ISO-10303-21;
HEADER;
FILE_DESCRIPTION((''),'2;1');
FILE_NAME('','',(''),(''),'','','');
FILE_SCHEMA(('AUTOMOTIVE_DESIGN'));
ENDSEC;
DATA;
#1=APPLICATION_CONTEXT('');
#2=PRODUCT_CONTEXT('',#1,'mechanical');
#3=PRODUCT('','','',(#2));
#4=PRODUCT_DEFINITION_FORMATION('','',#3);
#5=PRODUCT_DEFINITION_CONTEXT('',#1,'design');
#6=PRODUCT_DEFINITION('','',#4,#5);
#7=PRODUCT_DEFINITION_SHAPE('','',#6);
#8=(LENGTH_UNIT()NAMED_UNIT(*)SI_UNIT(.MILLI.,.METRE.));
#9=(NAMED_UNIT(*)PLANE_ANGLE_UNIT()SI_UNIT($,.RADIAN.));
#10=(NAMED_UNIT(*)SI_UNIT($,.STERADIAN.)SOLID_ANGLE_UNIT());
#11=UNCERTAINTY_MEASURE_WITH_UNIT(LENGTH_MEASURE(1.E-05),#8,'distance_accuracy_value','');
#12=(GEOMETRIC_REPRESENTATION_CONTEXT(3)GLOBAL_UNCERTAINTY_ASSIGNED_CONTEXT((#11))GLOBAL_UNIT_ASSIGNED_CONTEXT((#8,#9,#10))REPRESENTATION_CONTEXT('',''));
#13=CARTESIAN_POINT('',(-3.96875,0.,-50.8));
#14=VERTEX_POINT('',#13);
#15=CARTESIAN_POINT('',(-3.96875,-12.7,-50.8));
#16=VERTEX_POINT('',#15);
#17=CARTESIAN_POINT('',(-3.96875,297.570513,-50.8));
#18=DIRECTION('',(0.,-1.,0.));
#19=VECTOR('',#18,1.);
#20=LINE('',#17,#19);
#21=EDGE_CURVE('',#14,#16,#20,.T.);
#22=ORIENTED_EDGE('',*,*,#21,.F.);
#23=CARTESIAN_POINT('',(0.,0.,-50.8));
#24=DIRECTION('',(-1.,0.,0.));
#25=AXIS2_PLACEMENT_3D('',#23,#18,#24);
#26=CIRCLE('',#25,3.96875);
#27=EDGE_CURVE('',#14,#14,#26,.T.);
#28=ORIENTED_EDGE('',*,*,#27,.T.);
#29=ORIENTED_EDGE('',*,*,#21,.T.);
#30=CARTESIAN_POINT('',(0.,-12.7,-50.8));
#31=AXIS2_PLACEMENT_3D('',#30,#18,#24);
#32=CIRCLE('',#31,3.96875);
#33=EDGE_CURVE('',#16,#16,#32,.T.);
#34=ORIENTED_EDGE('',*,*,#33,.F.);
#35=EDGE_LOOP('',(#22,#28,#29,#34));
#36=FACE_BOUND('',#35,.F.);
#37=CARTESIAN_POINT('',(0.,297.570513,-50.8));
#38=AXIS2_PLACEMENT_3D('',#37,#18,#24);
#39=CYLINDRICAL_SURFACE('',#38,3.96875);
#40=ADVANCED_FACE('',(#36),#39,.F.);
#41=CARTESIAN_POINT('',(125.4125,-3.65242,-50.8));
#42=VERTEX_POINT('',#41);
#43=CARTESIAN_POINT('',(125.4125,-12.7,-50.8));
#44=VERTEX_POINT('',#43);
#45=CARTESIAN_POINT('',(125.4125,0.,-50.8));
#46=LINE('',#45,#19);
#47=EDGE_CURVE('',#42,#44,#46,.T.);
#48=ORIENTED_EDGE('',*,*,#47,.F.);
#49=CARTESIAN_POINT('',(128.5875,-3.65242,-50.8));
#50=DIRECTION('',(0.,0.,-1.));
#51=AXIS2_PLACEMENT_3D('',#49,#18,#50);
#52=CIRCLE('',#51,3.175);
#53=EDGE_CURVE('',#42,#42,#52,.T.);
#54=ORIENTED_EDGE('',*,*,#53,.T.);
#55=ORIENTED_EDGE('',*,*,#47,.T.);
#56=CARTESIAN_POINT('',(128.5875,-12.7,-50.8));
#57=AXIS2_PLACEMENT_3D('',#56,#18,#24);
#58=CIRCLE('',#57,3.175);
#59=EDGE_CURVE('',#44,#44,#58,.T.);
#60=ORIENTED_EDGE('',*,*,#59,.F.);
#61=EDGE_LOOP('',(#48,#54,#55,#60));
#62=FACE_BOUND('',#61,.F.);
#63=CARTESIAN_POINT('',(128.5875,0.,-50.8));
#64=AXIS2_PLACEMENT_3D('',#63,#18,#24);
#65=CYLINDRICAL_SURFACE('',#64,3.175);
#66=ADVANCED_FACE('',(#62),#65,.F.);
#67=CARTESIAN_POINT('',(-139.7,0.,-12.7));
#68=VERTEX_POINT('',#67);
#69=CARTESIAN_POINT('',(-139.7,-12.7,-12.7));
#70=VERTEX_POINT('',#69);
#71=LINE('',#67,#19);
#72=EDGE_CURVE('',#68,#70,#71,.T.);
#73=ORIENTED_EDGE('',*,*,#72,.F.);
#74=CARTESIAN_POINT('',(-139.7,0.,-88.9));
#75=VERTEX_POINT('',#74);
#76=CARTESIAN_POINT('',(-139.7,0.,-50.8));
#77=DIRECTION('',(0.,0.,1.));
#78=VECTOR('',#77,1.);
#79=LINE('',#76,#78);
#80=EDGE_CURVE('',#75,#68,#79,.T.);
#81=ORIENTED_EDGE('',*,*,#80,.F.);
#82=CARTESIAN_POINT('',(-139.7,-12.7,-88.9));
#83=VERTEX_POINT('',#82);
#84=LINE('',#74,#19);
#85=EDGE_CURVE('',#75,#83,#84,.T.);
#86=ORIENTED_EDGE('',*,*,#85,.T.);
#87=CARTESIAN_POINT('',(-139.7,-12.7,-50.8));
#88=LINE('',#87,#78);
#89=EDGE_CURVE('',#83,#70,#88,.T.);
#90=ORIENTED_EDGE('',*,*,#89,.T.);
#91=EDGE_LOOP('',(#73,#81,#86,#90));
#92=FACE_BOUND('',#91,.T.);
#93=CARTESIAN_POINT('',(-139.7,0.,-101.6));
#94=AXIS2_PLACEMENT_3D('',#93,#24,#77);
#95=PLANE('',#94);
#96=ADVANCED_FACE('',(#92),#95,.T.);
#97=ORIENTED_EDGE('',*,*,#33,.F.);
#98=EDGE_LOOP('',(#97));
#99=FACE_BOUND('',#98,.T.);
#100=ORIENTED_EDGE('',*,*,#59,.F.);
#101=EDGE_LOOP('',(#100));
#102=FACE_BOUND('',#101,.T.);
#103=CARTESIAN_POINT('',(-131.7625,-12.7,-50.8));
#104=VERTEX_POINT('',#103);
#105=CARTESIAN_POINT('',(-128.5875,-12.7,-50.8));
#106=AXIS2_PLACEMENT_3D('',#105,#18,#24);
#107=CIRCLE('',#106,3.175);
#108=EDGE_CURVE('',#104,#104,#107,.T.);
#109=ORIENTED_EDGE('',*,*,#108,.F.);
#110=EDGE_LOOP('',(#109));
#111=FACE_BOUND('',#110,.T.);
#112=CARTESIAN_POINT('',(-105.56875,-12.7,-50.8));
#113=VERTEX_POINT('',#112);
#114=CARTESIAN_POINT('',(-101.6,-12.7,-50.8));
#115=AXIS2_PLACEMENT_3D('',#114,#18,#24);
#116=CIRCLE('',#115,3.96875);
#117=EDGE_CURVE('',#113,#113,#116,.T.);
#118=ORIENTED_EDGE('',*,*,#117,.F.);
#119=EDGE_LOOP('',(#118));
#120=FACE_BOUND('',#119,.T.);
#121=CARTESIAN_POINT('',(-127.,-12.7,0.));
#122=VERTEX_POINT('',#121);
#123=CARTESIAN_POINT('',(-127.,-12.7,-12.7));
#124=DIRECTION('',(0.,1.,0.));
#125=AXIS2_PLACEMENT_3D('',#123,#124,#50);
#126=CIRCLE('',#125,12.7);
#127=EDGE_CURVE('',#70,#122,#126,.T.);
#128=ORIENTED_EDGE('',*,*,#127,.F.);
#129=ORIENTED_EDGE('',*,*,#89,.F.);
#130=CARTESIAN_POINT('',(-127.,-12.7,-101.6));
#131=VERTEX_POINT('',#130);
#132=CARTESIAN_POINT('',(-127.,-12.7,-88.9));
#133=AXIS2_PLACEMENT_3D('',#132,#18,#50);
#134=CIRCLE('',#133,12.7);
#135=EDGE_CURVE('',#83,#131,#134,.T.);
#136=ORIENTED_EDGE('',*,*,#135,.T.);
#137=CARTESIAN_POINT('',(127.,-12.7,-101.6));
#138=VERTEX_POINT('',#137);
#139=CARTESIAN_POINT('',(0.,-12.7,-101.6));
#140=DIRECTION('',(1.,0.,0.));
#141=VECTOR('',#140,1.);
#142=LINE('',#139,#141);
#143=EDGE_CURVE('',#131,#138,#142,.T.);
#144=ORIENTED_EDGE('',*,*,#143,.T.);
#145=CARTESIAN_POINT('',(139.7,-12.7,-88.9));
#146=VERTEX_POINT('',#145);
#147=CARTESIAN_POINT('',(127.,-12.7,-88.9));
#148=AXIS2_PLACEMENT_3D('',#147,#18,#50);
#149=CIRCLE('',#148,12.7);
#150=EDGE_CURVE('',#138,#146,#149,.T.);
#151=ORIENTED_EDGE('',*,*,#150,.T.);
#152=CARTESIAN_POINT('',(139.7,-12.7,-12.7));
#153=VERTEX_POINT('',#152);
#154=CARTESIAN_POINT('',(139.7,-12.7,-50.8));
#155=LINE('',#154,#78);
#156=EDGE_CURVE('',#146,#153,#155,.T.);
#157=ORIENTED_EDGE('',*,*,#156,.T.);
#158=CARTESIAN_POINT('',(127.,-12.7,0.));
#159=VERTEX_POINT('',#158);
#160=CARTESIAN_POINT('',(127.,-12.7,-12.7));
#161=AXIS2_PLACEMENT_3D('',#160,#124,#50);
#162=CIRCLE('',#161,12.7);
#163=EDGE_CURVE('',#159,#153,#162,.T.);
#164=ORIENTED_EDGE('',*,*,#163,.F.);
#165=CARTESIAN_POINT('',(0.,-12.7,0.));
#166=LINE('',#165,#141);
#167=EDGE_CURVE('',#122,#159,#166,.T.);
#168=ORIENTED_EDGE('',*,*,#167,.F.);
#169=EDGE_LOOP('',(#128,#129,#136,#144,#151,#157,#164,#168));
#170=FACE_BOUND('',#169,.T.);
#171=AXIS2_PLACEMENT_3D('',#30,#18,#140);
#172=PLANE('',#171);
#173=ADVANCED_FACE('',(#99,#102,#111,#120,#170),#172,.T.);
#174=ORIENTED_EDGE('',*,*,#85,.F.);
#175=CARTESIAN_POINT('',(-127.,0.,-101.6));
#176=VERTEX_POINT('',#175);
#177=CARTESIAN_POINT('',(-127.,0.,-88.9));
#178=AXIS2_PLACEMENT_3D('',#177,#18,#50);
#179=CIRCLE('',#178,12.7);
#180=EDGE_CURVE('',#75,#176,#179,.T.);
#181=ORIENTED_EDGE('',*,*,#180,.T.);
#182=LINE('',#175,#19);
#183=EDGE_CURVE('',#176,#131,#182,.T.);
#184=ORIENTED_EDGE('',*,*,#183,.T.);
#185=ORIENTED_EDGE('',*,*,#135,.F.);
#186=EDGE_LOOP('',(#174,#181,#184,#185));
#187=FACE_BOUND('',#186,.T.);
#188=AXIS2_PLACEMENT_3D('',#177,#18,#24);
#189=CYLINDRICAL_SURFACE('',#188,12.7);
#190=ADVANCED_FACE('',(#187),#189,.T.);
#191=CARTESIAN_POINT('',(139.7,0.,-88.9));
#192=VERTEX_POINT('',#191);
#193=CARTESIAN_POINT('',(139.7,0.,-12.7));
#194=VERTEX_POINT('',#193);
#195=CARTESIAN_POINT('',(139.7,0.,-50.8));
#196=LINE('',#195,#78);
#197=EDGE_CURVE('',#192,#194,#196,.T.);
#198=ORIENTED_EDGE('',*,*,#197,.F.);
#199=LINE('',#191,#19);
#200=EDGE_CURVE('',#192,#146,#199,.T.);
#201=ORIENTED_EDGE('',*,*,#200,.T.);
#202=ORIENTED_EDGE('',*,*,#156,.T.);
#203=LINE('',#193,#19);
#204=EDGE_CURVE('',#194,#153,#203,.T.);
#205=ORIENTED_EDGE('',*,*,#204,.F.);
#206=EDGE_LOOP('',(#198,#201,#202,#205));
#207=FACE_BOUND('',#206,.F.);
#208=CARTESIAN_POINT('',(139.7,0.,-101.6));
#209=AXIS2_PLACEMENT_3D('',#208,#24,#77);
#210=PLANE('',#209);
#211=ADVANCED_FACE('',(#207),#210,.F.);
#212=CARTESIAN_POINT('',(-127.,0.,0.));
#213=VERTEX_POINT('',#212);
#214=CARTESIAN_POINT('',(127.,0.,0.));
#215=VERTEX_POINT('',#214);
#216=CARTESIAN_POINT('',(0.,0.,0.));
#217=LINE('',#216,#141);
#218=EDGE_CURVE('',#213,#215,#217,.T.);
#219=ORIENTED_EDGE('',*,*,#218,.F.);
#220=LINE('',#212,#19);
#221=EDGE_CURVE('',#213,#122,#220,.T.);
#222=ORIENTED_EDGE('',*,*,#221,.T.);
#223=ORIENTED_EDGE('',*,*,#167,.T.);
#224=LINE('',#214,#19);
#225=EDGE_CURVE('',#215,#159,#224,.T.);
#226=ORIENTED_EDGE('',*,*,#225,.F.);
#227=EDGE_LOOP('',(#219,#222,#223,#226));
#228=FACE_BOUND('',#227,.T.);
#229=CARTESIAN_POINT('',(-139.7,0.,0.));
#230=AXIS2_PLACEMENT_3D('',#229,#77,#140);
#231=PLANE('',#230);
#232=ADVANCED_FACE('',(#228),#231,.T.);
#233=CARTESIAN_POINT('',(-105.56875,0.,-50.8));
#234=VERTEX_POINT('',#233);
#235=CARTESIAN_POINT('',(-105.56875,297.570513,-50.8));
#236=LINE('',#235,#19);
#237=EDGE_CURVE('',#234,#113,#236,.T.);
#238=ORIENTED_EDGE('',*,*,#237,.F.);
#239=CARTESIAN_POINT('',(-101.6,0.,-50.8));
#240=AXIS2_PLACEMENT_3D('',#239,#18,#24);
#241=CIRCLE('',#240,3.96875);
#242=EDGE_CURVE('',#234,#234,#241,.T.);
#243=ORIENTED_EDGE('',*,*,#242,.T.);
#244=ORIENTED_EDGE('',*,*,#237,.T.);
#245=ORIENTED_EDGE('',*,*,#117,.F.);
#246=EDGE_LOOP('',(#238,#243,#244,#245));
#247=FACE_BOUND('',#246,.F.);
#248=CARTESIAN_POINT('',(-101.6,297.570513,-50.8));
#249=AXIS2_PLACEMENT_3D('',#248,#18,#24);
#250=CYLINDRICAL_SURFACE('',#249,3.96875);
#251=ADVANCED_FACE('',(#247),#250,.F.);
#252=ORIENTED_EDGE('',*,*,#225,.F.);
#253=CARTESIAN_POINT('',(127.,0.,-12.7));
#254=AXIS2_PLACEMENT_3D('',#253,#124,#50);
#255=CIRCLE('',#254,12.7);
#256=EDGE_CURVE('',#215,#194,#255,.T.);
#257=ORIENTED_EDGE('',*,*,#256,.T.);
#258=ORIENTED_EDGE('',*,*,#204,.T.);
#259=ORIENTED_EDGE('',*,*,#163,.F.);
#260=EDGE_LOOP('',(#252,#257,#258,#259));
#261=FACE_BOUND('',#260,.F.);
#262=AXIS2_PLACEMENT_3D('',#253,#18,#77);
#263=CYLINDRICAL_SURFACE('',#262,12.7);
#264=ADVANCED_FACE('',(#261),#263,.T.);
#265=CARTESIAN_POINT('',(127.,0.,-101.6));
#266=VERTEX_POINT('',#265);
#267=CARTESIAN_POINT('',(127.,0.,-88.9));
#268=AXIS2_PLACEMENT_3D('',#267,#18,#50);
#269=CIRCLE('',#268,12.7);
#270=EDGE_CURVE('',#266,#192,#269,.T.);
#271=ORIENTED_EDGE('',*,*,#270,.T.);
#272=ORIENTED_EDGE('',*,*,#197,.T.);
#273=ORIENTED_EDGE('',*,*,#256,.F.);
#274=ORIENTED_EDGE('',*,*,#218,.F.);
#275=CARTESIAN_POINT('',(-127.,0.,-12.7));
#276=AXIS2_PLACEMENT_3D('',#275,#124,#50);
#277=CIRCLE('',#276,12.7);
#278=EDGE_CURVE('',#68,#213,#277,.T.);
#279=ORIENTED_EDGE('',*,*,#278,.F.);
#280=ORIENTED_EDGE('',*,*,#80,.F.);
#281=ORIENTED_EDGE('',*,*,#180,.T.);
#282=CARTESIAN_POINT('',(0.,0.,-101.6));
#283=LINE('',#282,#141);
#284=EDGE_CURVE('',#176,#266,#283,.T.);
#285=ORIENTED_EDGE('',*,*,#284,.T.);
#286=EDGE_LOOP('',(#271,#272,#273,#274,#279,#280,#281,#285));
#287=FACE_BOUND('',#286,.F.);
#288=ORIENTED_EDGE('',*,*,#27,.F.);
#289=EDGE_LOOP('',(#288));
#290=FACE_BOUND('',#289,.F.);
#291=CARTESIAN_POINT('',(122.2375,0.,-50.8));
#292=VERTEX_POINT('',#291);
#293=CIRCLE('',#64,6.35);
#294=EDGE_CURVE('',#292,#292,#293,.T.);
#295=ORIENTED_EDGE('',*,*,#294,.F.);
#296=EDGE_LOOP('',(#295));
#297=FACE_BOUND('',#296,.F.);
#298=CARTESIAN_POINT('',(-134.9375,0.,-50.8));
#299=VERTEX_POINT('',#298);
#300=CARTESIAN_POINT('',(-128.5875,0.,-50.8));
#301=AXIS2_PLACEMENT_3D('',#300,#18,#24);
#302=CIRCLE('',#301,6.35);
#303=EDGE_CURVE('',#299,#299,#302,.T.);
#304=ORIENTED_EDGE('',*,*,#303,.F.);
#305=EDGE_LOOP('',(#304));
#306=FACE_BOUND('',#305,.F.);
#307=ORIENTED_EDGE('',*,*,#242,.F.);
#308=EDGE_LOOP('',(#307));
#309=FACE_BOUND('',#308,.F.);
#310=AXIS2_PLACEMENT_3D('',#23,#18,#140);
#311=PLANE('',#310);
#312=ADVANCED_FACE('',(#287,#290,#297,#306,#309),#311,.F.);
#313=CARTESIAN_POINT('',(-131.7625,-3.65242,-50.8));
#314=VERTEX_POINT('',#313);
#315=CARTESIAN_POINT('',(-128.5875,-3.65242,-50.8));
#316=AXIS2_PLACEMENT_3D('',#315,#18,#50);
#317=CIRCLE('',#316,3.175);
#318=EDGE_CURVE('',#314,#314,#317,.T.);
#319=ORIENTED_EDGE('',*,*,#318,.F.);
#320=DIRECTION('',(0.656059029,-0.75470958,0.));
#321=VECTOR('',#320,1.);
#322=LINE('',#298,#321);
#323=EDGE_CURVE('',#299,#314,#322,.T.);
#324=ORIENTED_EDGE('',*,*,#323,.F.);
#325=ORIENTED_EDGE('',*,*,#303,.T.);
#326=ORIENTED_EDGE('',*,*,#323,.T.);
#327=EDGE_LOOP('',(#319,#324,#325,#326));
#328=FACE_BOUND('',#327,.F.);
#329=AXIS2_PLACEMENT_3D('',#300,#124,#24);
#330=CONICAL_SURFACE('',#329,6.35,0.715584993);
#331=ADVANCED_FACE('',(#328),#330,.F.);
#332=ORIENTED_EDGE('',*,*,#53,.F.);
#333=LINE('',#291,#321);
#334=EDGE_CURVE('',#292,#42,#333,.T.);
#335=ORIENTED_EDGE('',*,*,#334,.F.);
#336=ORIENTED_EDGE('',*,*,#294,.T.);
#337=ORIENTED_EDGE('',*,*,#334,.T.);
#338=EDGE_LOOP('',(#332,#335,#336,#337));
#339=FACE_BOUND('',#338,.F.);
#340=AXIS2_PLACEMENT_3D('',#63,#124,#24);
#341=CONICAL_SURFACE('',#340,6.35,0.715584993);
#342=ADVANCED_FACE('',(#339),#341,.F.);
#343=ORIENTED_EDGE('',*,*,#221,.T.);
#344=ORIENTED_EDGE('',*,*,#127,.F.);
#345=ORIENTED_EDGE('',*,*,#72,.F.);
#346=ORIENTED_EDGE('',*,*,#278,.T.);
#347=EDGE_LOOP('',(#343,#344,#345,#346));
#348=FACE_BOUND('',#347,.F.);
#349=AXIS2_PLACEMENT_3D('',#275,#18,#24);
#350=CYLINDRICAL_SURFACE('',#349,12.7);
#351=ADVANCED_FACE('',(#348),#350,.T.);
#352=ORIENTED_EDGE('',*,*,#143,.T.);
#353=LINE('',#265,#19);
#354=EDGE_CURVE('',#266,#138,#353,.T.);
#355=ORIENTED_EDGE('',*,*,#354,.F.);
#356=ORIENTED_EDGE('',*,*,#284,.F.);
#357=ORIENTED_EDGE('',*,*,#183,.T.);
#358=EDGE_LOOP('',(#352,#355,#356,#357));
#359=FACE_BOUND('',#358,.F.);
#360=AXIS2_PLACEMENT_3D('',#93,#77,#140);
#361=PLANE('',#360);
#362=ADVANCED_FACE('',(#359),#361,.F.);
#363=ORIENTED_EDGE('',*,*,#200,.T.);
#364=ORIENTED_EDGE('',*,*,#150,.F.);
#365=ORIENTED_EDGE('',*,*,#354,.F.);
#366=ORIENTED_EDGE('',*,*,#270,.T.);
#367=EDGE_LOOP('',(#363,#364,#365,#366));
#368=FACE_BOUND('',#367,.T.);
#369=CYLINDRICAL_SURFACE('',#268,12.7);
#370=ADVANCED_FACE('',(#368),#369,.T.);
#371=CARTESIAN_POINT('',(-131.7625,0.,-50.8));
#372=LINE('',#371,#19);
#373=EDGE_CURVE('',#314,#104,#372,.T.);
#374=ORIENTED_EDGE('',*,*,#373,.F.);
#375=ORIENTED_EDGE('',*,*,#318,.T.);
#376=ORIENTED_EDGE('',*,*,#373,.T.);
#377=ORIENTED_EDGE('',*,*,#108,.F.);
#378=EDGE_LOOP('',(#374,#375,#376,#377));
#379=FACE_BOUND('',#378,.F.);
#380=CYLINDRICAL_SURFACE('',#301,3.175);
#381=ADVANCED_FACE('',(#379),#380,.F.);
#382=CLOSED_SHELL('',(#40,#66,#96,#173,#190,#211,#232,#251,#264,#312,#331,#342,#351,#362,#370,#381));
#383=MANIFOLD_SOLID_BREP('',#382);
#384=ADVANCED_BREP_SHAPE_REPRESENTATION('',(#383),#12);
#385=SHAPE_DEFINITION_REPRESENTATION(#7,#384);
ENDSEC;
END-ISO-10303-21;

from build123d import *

# Parameters (mm, degrees)
F0_W           = 279.4
F0_H           = 101.6
F1_DEPTH       = 12.7
F2_D           = 6.35
F2_CSINK_D     = 12.7
F2_CSINK_ANGLE = 82
F3_D           = 7.9375
F4_R           = 12.7


with BuildPart() as f1:
    # F0 (on Front) → F1 (new body)
    with BuildSketch(Plane.XZ):
        with Locations((0, -50.8)):
            Rectangle(F0_W, F0_H)
    extrude(amount=F1_DEPTH)

    # F2 (through all)
    with Locations(Plane(origin=(0, 0, 0), x_dir=(1, 0, 0), z_dir=(0, 1, 0))):
        with Locations((-128.5875, 50.8), (128.5875, 50.8)):
            CounterSinkHole(F2_D / 2, F2_CSINK_D / 2, counter_sink_angle=F2_CSINK_ANGLE)

    # F3 (through all)
    with Locations(Plane(origin=(0, 0, 0), x_dir=(1, 0, 0), z_dir=(0, 1, 0))):
        with Locations((-101.6, 50.8), (0, 50.8)):
            Hole(F3_D / 2)

    # F4
    f4_edges = [f1.edges().sort_by_distance(p)[0] for p in [
        (139.7, -6.35, 0),
        (139.7, -6.35, -101.6),
        (-139.7, -6.35, -101.6),
        (-139.7, -6.35, 0),
    ]]
    fillet(f4_edges, radius=F4_R)


solid = f1.part
